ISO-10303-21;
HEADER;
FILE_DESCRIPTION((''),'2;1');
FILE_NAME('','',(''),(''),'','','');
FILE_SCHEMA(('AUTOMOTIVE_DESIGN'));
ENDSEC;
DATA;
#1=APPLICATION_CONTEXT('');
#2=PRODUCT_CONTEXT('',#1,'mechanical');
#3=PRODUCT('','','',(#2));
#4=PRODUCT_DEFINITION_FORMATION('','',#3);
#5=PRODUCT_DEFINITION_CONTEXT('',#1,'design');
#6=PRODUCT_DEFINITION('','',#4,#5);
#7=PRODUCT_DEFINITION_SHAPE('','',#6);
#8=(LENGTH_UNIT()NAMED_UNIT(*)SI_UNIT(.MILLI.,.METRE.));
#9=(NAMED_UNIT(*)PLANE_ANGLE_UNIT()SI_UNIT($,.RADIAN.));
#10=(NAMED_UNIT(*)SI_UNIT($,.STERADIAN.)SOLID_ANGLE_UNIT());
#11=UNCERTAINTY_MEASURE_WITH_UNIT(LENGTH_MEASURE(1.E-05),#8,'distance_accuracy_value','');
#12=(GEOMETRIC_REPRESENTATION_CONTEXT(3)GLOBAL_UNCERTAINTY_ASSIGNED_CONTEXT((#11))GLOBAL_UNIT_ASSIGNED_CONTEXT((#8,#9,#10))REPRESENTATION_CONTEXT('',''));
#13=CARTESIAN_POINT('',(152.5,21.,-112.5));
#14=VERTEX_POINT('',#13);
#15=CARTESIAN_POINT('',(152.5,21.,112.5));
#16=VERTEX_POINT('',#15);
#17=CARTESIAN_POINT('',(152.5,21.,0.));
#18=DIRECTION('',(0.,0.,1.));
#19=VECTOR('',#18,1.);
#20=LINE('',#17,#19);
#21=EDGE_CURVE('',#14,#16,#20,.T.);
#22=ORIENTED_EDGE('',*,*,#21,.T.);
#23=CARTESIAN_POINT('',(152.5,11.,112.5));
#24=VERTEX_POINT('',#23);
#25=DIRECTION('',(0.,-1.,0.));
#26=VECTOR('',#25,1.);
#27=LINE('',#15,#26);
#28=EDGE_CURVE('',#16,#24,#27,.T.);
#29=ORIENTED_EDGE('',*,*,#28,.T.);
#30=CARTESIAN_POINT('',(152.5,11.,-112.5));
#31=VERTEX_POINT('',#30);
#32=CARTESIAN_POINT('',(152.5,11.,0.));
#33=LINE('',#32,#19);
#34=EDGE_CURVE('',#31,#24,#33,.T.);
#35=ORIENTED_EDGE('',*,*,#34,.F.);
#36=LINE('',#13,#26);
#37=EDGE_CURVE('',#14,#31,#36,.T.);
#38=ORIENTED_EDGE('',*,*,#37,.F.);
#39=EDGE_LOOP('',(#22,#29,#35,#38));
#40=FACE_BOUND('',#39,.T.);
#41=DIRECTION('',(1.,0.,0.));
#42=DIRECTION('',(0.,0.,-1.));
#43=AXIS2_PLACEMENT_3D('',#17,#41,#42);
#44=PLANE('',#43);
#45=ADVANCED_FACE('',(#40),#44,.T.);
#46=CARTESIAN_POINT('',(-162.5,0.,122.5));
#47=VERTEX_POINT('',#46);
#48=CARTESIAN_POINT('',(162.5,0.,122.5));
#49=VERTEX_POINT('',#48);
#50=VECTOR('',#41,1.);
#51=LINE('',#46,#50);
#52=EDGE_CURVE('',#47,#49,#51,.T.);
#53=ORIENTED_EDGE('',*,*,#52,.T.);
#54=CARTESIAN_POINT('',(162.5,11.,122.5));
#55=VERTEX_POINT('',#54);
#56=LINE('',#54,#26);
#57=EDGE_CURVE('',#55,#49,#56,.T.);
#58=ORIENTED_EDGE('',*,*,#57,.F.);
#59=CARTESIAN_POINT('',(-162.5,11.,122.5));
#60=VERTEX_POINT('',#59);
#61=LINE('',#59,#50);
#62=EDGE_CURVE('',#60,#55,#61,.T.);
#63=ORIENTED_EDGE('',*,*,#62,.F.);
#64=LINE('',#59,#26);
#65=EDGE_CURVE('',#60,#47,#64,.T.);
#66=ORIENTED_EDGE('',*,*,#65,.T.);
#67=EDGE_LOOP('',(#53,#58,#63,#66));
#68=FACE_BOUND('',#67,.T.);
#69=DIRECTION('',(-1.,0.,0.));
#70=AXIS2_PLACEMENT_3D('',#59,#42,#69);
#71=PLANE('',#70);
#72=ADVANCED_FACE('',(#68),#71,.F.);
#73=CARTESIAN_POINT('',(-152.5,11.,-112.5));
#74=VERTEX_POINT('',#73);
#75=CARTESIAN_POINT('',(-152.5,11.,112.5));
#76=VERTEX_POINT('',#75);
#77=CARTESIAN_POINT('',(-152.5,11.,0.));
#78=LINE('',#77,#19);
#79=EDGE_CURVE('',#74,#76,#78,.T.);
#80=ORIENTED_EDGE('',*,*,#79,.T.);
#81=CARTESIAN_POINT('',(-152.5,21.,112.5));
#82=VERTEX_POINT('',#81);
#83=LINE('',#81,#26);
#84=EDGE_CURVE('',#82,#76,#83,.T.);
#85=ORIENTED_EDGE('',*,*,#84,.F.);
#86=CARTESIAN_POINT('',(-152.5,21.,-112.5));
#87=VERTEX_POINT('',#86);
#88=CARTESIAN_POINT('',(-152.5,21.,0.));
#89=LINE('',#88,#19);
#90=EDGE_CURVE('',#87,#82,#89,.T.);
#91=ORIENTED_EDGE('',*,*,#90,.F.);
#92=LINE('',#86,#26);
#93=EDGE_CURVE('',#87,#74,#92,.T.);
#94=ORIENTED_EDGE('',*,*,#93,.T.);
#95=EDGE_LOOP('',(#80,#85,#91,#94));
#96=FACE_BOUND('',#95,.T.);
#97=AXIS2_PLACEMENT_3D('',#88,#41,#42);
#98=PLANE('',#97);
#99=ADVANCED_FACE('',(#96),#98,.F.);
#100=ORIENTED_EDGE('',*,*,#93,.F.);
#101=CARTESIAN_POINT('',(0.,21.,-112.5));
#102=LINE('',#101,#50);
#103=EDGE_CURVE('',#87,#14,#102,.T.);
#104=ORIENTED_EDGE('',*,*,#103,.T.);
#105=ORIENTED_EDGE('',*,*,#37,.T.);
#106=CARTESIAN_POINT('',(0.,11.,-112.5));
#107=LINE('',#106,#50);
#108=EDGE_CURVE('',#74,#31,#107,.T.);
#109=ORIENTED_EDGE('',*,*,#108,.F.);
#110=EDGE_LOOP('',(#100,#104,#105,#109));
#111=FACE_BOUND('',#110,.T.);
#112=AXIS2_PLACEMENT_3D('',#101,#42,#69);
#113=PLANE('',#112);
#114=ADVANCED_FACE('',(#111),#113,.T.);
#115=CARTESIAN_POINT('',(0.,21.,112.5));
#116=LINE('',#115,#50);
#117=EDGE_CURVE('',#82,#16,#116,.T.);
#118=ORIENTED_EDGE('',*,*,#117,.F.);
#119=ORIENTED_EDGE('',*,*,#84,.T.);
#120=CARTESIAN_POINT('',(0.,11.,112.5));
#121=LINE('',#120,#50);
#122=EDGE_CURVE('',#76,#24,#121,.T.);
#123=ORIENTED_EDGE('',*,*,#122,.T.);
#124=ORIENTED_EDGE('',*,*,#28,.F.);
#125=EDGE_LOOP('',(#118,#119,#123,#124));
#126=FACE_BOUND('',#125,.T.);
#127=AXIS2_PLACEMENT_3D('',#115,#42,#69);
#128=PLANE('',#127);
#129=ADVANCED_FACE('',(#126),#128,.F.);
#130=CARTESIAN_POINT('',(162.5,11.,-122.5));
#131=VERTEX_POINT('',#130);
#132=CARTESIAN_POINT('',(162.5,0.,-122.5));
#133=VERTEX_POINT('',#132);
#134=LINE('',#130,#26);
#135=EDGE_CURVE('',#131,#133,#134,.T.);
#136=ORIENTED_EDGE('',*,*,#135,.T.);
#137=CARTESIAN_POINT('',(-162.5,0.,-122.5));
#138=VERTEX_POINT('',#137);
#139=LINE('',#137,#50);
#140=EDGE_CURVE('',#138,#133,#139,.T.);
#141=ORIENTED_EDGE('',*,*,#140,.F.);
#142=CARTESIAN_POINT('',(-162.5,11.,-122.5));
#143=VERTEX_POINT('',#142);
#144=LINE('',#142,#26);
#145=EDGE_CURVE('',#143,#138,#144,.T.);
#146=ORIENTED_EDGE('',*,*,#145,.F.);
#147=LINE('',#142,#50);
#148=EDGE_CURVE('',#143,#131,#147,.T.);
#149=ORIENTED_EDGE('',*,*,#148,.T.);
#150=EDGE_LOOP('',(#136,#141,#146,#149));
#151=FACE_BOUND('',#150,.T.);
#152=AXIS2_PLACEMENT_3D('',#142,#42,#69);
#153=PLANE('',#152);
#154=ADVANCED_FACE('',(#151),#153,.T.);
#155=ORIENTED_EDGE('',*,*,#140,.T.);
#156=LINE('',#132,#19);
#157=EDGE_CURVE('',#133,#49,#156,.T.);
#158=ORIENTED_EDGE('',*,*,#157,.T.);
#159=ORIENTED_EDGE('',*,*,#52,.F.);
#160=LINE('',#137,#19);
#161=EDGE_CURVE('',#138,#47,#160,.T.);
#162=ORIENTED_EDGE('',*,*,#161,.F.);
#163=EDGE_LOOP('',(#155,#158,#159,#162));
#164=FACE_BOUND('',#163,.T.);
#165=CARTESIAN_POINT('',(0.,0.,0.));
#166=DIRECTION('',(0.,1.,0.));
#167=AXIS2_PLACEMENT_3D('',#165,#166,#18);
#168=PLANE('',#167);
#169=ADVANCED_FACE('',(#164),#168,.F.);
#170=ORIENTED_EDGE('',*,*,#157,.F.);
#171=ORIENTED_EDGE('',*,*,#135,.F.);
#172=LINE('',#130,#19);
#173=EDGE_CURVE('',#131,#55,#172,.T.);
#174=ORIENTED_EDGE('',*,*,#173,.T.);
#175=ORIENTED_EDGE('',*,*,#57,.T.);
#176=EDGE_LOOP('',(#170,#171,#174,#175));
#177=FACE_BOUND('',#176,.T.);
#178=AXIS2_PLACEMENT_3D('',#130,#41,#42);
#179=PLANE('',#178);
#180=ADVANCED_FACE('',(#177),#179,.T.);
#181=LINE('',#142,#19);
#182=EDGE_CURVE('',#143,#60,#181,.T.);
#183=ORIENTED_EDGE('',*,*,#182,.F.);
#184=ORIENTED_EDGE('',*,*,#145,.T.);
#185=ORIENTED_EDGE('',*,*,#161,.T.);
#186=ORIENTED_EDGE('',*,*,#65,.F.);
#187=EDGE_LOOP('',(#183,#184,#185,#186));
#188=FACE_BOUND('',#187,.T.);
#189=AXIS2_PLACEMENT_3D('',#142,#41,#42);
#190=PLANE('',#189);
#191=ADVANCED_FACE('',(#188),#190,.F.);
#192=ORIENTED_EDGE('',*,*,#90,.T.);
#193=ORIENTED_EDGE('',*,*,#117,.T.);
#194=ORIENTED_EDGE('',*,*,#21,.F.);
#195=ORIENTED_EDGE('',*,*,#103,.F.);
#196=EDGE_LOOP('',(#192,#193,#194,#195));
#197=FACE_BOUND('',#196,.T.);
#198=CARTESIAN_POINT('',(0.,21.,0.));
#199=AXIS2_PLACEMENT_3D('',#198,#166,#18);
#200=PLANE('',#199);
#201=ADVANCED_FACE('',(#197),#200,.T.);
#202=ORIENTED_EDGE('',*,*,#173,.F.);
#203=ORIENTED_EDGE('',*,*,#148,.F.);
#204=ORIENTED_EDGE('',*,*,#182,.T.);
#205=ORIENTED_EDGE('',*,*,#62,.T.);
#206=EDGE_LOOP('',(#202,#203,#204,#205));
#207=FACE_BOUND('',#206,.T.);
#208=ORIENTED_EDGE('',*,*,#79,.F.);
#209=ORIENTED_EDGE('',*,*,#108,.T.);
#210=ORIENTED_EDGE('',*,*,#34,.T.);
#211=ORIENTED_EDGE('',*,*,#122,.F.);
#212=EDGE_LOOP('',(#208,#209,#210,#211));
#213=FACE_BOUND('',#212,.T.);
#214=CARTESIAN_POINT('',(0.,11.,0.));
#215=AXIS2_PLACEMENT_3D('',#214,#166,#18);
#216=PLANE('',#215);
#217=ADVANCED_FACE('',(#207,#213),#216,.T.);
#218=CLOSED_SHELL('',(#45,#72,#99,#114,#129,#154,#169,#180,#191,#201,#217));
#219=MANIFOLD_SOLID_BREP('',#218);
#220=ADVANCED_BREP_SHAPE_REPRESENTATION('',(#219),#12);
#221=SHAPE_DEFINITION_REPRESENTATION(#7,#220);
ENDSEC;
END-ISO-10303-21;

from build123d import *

# Parameters (mm, degrees)
SKETCH1_W           = 325
SKETCH1_H           = 245
BOSS_EXTRUDE1_DEPTH = 11
SKETCH2_W           = 305
SKETCH2_H           = 225
BOSS_EXTRUDE2_DEPTH = 10


with BuildPart() as part:
    # Sketch1 → Boss-Extrude1 (new body)
    with BuildSketch(Plane(origin=(0, 0, 0), x_dir=(1, 0, 0), z_dir=(0, 1, 0))):
        Rectangle(SKETCH1_W, SKETCH1_H)
    extrude(amount=BOSS_EXTRUDE1_DEPTH)

    # Sketch2 → Boss-Extrude2 (add)
    with BuildSketch(Plane(origin=(0, 11, 0), x_dir=(1, 0, 0), z_dir=(0, 1, 0))):
        Rectangle(SKETCH2_W, SKETCH2_H)
    extrude(amount=BOSS_EXTRUDE2_DEPTH)


solid = part.part
